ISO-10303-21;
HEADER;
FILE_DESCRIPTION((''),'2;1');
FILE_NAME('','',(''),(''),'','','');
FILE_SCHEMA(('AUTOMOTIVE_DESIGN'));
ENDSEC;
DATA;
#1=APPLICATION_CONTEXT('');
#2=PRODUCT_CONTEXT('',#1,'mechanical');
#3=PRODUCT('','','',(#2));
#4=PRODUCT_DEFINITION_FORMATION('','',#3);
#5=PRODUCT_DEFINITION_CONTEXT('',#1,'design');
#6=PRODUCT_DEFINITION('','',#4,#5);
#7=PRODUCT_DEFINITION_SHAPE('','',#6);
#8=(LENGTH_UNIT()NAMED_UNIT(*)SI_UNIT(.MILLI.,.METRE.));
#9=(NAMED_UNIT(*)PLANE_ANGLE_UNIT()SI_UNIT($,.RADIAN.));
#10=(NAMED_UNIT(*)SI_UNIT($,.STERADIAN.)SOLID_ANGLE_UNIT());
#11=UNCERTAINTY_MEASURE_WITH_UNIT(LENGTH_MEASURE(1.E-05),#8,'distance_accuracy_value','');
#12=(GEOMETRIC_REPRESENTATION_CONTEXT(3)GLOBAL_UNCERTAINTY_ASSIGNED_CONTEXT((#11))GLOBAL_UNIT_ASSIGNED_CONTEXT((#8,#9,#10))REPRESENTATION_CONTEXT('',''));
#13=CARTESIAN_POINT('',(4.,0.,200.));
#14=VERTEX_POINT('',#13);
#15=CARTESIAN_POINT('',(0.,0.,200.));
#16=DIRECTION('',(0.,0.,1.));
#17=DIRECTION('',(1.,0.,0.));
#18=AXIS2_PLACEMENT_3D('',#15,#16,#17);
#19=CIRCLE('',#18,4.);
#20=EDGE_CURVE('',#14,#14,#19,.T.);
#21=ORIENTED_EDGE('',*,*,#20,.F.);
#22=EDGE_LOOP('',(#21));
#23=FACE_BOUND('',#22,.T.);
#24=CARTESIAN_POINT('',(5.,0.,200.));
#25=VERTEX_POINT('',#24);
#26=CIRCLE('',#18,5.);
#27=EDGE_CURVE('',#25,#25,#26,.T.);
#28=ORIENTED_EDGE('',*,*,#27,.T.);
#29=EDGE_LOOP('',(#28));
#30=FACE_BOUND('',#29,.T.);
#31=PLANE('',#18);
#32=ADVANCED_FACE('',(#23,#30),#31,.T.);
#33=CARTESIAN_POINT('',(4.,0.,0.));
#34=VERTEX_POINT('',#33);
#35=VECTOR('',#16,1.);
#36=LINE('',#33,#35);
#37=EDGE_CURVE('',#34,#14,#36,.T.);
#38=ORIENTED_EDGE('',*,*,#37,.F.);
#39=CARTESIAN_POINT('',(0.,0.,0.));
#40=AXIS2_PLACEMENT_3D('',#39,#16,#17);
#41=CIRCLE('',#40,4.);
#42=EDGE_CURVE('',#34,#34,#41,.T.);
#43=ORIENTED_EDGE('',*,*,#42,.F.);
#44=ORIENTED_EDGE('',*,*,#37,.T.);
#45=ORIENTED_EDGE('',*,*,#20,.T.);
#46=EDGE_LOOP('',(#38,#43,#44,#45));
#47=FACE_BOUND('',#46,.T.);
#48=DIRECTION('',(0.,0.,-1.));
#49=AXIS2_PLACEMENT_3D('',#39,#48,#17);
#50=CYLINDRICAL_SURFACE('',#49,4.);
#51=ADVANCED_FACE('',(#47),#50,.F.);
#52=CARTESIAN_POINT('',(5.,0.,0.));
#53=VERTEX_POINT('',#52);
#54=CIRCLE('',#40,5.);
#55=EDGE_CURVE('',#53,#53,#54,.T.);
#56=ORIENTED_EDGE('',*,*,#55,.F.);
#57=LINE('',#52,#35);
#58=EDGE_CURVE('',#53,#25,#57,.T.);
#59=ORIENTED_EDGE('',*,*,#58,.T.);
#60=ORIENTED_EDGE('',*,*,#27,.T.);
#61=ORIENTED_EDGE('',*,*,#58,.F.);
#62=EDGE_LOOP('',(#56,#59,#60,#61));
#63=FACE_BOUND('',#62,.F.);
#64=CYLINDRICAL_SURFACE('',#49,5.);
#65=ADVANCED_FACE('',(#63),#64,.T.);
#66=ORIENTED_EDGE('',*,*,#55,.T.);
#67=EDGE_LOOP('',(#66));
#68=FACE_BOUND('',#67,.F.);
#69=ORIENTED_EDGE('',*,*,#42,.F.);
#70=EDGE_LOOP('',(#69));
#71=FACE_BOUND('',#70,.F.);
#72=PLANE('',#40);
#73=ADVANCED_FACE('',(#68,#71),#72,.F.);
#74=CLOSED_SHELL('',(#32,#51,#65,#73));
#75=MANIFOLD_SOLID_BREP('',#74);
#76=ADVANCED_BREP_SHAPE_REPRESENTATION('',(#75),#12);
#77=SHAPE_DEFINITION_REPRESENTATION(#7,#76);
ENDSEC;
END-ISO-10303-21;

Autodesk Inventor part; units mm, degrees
ref_plane "YZ Plane" through (0, 0, 0) normal (1, 0, 0) x (0, 1, 0)
ref_plane "XZ Plane" through (0, 0, 0) normal (0, 1, 0) x (-1, 0, 0)
ref_plane "XY Plane" through (0, 0, 0) normal (0, 0, 1) x (1, 0, 0)
sketch "Sketch1" plane through (0, 0, 0) normal (0, 0, 1) x (1, 0, 0)
  circle A0 centre (0, 0) radius 5
  circle A1 centre (0, 0) radius 4
  dimension "Shaft_DiaOut" = 10
  dimension "Shaft_DiaIn" = 8
extrude "Extrusion1" add sketch "Sketch1" along normal blind 200
properties part number "Lower_Arm_Shaft" material "Aluminum 6061"
